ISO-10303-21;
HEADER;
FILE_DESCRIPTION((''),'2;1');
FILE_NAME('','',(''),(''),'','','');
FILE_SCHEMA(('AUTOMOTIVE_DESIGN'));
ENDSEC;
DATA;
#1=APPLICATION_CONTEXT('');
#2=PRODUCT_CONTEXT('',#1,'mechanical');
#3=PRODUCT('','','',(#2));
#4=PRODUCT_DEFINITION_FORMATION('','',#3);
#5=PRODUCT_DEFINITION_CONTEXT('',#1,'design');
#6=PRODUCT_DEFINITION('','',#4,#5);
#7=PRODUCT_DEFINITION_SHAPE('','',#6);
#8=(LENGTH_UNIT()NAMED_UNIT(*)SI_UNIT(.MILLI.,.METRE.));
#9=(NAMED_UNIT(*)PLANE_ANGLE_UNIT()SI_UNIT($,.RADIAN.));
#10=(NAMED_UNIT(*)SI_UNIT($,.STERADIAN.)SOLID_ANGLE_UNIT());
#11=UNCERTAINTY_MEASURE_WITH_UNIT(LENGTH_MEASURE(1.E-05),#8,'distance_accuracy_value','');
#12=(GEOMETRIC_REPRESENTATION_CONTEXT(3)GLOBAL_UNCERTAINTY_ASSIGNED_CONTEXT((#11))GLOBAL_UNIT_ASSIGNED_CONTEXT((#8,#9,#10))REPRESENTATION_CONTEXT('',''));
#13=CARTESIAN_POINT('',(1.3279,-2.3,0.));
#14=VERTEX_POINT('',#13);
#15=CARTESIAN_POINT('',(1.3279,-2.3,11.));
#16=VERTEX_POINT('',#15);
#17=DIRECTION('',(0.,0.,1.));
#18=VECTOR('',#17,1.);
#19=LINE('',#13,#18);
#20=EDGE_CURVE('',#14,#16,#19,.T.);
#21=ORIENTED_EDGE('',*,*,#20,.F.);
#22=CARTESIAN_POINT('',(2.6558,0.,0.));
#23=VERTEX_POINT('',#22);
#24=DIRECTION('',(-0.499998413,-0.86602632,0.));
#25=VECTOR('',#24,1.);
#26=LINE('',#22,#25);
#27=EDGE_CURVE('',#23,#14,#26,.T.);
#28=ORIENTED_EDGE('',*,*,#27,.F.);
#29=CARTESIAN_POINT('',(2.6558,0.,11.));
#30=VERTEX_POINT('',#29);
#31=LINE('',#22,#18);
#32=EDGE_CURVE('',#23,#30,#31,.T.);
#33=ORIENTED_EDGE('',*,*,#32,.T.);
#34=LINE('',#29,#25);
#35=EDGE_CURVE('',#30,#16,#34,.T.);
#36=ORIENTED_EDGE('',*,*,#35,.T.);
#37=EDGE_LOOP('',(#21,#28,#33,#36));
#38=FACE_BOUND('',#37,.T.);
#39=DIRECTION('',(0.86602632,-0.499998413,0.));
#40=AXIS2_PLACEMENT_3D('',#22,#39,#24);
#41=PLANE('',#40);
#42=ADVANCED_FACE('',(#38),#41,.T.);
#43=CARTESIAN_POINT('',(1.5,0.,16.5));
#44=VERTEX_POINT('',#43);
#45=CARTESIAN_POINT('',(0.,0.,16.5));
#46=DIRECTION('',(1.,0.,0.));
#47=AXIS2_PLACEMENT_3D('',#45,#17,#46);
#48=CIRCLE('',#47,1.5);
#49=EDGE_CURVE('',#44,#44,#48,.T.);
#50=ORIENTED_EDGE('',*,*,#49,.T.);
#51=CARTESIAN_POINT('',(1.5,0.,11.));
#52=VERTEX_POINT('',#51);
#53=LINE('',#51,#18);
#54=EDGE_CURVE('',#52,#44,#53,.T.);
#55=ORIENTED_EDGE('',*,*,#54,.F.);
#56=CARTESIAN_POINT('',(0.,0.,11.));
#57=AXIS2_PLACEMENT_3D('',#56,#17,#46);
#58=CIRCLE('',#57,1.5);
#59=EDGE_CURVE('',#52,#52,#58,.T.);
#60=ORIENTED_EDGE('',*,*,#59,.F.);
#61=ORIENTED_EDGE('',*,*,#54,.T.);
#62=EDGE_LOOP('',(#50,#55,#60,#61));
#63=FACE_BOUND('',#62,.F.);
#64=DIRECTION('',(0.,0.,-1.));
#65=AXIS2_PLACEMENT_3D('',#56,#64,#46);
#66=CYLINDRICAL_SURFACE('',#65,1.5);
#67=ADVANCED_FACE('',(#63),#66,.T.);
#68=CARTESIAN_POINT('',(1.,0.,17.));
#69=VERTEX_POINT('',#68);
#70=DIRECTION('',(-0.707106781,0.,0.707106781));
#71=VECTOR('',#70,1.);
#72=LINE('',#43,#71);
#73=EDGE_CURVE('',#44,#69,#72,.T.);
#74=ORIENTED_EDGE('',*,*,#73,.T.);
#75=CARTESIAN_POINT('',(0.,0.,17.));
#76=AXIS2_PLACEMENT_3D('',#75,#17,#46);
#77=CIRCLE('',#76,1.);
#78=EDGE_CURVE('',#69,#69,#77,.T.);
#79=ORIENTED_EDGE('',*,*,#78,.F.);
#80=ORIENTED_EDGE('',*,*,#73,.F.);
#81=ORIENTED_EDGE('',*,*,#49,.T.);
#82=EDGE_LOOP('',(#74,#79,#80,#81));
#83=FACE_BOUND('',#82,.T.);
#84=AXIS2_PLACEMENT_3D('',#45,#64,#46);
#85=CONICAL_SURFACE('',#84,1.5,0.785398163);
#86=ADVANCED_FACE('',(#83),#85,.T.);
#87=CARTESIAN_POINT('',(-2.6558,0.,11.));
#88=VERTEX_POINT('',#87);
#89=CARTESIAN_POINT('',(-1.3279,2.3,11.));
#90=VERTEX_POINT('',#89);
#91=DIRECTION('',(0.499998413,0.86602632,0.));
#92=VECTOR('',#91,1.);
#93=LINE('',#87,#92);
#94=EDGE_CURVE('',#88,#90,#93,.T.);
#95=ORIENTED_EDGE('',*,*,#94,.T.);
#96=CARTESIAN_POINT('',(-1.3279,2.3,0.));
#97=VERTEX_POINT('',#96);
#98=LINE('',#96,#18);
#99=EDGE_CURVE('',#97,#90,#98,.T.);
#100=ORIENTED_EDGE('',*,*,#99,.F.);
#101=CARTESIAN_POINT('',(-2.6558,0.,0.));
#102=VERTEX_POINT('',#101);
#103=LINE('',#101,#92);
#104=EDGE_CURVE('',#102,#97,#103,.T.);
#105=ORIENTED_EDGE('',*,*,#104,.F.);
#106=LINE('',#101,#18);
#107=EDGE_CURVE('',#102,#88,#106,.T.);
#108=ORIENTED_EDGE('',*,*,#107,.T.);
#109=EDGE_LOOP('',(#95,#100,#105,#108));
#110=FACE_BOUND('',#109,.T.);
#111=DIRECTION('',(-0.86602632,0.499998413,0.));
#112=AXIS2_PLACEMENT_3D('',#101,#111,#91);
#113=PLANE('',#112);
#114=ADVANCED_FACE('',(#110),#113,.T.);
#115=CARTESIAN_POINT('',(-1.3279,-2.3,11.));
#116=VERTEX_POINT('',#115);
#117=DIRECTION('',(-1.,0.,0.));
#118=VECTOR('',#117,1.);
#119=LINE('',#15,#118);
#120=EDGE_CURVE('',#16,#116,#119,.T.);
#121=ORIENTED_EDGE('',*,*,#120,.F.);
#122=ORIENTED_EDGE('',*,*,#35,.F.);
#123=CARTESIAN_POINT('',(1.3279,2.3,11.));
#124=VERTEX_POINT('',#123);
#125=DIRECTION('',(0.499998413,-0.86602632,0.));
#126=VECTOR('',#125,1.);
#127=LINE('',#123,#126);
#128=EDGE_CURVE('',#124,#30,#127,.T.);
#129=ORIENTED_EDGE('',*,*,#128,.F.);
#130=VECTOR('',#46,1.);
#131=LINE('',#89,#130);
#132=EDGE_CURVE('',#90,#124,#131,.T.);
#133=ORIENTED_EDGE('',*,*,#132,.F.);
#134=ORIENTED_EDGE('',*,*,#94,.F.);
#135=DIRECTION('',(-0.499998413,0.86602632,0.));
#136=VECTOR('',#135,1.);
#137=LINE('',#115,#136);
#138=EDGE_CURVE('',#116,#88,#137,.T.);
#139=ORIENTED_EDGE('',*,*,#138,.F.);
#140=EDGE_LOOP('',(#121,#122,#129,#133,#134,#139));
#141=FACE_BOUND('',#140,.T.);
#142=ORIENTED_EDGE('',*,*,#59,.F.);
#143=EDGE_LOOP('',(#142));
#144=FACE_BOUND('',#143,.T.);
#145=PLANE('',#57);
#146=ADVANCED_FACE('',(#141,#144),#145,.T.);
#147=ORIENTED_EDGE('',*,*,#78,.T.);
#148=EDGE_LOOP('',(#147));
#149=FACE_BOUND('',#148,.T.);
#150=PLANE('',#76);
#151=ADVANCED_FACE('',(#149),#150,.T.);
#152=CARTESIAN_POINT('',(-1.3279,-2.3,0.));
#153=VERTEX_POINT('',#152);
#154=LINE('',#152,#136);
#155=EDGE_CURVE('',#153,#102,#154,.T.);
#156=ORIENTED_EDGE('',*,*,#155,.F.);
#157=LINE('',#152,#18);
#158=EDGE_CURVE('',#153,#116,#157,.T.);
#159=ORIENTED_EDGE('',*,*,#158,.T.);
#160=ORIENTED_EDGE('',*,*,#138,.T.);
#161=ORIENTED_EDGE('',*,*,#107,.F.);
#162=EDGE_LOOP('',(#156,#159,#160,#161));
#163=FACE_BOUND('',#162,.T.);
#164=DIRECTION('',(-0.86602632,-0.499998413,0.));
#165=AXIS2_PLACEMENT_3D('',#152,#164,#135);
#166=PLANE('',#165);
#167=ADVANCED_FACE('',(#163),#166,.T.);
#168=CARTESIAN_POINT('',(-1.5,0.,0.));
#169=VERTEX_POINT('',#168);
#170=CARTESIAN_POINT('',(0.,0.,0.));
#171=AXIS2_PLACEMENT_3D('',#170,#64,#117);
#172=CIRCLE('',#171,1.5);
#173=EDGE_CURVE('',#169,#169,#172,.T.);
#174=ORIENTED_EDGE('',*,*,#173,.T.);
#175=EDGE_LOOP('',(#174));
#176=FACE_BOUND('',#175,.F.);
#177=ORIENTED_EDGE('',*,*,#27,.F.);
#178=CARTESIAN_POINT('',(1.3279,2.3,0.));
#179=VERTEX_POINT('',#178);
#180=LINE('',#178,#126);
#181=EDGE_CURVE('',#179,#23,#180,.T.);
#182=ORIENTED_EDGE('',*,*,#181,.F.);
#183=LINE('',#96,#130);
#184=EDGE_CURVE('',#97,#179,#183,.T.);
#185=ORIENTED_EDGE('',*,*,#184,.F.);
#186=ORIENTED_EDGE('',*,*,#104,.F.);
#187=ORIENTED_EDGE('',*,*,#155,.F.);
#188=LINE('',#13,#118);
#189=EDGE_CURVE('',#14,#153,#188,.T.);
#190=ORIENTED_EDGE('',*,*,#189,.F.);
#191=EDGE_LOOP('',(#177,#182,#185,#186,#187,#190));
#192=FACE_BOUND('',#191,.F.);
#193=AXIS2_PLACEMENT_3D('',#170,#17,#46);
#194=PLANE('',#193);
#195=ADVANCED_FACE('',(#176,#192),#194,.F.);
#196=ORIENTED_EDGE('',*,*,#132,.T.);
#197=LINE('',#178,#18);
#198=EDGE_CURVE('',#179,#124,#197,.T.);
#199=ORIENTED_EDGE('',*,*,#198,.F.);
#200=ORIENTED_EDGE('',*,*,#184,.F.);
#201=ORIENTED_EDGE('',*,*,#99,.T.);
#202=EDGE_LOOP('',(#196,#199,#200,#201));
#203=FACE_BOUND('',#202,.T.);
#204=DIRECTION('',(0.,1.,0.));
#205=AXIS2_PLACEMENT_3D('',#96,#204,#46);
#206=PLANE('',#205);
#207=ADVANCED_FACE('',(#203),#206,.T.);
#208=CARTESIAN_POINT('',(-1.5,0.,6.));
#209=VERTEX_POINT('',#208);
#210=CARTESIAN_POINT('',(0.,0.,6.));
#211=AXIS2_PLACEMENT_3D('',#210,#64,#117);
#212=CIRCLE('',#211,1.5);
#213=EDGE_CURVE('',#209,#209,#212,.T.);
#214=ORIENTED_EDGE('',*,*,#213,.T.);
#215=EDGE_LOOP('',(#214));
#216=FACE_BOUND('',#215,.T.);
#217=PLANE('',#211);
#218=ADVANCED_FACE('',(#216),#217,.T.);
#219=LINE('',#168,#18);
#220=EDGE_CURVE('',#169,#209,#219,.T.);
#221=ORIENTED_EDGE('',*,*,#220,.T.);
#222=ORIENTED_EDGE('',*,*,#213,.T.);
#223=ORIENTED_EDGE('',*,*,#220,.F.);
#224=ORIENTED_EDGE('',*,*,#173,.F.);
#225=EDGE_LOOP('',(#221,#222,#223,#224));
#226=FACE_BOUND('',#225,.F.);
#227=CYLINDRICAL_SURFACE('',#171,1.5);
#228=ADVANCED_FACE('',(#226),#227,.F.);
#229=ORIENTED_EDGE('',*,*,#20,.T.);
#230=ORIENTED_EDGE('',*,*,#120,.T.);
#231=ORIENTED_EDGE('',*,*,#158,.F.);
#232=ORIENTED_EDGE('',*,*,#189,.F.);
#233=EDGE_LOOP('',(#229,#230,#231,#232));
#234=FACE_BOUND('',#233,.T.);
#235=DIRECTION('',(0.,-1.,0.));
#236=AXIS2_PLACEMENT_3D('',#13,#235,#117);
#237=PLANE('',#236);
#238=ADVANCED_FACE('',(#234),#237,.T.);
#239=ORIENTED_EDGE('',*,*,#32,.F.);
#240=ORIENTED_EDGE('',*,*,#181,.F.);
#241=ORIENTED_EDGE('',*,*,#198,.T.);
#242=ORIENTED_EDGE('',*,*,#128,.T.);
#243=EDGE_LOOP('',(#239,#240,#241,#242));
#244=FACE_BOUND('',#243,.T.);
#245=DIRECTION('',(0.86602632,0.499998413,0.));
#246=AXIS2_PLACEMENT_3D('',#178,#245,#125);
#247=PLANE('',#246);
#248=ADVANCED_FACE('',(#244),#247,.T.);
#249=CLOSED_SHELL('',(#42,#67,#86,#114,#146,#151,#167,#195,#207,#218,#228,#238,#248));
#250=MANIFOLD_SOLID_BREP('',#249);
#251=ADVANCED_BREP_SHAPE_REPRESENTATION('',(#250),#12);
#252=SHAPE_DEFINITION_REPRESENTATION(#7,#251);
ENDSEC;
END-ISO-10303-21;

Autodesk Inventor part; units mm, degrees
ref_plane "YZ Plane" through (0, 0, 0) normal (1, 0, 0) x (0, 1, 0)
ref_plane "XZ Plane" through (0, 0, 0) normal (0, 1, 0) x (-1, 0, 0)
ref_plane "XY Plane" through (0, 0, 0) normal (0, 0, 1) x (1, 0, 0)
sketch "Base" plane through (0, 0, 0) normal (0, 0, 1) x (1, 0, 0)
  line L0 (1.3279, 2.3) -> (2.6558, 0)
  line L1 (2.6558, 0) -> (1.3279, -2.3)
  line L2 (1.3279, -2.3) -> (-1.3279, -2.3)
  line L3 (-1.3279, -2.3) -> (-2.6558, 0)
  line L4 (-2.6558, 0) -> (-1.3279, 2.3)
  line L5 (-1.3279, 2.3) -> (1.3279, 2.3)
  line L6 (-3.7181, 0) -> (3.7181, 0) construction
  line L7 (0, -3.22) -> (0, 3.22) construction
  point P0 (0, 0)
  point P1 (0, 0)
  dimension "d0" = 4.6
extrude "BaseFeature" add sketch "Base" along normal blind 11
sketch "Sketch2" plane through (0, 0, 11) normal (0, 0, 1) x (1, 0, 0)
  circle A0 centre (0, 0) radius 1.5
  dimension "d3" = 3
extrude "Extrusion2" add sketch "Sketch2" along normal blind 6
chamfer "Chamfer1" distance 0.5 angle 45 1 edges at (-1.5, 0, 17)
sketch "Sketch3" plane through (0, 0, 0) normal (0, 0, -1) x (-1, 0, 0)
  circle A0 centre (0, 0) radius 1.5
  dimension "d9" = 3
extrude "Extrusion3" cut sketch "Sketch3" against normal blind 6
properties part number "UXCell-M3x11-MaleFemaleHexStandoff"
